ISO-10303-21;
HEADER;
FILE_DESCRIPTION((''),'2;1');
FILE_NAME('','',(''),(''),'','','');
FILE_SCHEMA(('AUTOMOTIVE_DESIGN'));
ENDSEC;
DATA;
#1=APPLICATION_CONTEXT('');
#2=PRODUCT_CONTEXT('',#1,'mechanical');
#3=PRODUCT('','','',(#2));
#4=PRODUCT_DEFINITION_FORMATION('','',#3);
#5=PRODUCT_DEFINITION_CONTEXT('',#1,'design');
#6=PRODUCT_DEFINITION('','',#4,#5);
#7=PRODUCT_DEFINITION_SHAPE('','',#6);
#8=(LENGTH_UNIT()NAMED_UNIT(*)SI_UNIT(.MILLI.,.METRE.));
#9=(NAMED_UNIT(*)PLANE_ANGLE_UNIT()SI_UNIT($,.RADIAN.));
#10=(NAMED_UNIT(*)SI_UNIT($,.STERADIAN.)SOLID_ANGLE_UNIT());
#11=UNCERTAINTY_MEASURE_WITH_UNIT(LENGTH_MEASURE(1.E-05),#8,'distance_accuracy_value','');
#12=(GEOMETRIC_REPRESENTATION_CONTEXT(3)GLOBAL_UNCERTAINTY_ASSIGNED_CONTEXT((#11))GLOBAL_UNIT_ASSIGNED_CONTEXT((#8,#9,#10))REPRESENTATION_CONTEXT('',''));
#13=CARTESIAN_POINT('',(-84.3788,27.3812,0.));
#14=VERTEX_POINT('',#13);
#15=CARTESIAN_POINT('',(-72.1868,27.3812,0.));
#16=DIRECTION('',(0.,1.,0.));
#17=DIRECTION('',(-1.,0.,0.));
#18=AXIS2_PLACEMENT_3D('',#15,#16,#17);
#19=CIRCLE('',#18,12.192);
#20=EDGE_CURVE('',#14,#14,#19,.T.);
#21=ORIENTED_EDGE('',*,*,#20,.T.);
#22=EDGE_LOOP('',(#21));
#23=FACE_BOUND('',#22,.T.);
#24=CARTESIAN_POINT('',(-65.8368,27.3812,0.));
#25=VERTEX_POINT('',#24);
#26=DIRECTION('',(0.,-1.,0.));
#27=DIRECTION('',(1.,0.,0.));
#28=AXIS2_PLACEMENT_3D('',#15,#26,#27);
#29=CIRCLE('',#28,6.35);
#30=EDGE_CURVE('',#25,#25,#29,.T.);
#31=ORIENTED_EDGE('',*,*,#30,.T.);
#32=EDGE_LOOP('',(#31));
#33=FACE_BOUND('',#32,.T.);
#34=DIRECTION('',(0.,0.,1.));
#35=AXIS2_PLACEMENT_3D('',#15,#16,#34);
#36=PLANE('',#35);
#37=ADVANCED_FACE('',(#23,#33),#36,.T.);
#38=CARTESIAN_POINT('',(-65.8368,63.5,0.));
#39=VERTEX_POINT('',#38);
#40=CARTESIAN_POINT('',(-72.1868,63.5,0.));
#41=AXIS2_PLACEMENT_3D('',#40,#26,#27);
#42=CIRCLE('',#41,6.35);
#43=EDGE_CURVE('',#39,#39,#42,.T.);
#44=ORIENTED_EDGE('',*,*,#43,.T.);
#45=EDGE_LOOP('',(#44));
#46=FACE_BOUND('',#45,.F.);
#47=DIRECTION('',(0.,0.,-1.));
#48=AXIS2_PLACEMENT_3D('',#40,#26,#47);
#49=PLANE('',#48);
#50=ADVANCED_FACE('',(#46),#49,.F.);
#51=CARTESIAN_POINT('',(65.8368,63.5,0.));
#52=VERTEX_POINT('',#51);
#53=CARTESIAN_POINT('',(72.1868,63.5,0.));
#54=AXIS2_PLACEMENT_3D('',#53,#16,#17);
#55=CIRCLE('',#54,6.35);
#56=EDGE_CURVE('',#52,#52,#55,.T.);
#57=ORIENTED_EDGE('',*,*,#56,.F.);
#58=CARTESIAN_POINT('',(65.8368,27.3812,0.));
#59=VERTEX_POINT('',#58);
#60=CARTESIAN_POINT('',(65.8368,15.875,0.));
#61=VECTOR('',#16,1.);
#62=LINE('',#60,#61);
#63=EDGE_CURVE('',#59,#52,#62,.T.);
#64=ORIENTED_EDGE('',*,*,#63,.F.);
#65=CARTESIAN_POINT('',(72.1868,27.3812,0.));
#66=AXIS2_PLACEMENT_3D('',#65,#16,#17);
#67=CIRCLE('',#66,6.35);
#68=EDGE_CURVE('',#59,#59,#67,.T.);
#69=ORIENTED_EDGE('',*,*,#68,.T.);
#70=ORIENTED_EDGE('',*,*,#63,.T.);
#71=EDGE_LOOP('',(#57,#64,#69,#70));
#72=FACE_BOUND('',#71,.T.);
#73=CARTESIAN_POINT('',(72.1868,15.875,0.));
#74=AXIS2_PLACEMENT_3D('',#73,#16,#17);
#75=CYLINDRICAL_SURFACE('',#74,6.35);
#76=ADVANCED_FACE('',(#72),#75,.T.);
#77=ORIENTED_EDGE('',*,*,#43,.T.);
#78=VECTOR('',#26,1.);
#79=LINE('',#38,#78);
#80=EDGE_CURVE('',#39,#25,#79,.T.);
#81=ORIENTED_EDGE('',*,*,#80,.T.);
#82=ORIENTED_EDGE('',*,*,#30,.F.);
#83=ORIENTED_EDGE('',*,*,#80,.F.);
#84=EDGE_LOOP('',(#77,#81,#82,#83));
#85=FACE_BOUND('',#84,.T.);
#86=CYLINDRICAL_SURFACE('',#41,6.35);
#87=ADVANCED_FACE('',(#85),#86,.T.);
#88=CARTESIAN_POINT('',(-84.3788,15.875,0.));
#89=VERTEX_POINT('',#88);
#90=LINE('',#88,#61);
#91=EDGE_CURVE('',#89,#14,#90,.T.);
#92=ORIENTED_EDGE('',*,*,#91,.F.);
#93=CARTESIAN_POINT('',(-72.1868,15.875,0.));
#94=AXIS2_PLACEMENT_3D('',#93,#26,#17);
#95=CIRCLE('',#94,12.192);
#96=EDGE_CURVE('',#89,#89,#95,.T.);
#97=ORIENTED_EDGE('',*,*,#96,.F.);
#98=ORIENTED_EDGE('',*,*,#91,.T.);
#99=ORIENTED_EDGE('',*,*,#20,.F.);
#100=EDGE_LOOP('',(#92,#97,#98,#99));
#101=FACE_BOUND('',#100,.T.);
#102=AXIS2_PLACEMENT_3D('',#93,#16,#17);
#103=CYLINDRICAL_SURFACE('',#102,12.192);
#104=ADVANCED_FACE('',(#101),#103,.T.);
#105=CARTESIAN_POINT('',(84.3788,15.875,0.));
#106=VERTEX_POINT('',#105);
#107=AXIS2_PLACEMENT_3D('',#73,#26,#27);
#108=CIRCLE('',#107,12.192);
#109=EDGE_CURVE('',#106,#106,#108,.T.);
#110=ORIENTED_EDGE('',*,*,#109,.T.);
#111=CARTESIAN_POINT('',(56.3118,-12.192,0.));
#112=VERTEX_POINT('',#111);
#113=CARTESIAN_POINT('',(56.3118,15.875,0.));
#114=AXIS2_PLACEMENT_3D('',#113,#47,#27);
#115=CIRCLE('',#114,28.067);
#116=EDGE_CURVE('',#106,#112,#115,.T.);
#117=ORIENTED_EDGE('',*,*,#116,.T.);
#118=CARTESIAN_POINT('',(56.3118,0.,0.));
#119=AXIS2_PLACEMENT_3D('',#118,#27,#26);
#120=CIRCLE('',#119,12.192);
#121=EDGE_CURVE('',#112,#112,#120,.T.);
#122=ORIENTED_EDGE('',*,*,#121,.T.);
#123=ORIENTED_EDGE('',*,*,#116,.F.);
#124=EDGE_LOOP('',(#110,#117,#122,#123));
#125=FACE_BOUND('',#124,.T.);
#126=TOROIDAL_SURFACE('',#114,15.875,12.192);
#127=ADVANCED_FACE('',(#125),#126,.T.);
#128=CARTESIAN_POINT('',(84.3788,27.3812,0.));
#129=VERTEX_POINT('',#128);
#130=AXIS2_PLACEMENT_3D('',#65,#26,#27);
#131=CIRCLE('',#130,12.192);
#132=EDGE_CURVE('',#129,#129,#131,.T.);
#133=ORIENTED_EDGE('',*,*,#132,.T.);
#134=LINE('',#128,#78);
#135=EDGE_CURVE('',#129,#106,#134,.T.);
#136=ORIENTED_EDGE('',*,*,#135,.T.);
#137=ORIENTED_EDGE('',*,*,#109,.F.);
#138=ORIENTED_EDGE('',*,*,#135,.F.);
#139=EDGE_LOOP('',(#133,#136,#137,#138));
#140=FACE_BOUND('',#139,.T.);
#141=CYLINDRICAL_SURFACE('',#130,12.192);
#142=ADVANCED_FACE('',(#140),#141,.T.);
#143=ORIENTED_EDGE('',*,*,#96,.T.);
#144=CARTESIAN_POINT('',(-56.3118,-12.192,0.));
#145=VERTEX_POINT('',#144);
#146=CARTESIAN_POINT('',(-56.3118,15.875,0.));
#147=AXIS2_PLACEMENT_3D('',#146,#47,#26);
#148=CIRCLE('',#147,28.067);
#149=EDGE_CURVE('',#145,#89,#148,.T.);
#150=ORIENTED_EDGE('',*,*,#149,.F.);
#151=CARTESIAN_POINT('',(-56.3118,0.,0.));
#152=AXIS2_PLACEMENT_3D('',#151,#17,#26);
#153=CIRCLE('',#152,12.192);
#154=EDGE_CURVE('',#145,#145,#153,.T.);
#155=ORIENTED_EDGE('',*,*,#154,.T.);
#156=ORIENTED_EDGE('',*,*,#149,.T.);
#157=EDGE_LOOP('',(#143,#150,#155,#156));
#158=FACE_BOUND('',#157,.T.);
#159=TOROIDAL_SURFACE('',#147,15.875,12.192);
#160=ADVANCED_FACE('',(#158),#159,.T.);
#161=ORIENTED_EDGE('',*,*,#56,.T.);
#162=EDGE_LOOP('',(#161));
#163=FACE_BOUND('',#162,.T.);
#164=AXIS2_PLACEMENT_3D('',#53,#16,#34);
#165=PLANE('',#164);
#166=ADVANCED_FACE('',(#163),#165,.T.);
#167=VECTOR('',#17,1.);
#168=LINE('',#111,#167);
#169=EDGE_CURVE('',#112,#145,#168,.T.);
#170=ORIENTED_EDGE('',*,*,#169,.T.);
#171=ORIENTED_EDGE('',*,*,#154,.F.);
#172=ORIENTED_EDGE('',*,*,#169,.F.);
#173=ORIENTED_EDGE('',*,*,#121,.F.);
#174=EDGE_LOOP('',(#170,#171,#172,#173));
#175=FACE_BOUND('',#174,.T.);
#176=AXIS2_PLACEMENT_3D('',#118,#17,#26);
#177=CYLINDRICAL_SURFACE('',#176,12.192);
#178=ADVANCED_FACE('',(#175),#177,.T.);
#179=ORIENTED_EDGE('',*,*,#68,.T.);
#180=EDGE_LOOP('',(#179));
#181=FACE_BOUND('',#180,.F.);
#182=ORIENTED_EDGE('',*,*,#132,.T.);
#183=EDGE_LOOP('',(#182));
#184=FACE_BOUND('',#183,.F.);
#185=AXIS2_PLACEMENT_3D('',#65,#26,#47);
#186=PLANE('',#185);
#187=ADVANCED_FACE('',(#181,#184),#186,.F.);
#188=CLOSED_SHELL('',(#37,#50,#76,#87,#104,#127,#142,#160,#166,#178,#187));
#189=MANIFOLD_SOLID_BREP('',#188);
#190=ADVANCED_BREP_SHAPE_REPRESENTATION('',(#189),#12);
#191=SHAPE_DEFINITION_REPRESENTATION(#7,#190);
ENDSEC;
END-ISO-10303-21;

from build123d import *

# Parameters (mm, degrees)
F2_R   = 12.192
F2_R_2 = 6.35


with BuildPart() as f3:
    # F3: sweep along a path in F0
    with BuildLine(Plane.XY) as f3_path:
        Line((72.1868, 27.3812), (72.1868, 15.875))
        ThreePointArc((72.1868, 15.875), (67.5371201513, 4.6496798487), (56.3118, 0))
        Line((56.3118, 0), (-56.3118, 0))
        ThreePointArc((-56.3118, 0), (-67.5371201513, 4.6496798487), (-72.1868, 15.875))
        Line((-72.1868, 15.875), (-72.1868, 27.3812))
    # F2 (on line) → F3 (sweep)
    with BuildSketch(Plane.XZ.offset(-27.3812)):
        with Locations((72.1868, 0)):
            Circle(F2_R)
    sweep(path=f3_path.line)

    # F4: sweep along a path in F0
    with BuildLine(Plane.XY) as f4_path:
        Line((-72.1868, 63.5), (-72.1868, 27.3812))
        Line((-72.1868, 27.3812), (-72.1868, 15.875))
        ThreePointArc((-72.1868, 15.875), (-67.5371201513, 4.6496798487), (-56.3118, 0))
        Line((-56.3118, 0), (56.3118, 0))
        ThreePointArc((56.3118, 0), (67.5371201513, 4.6496798487), (72.1868, 15.875))
        Line((72.1868, 15.875), (72.1868, 27.3812))
        Line((72.1868, 27.3812), (72.1868, 63.5))
    # F2 (on line) → F4 (sweep)
    with BuildSketch(Plane.XZ.offset(-27.3812)):
        with Locations((-72.1868, 0)):
            Circle(F2_R_2)
    sweep(path=f4_path.line)


solid = f3.part
